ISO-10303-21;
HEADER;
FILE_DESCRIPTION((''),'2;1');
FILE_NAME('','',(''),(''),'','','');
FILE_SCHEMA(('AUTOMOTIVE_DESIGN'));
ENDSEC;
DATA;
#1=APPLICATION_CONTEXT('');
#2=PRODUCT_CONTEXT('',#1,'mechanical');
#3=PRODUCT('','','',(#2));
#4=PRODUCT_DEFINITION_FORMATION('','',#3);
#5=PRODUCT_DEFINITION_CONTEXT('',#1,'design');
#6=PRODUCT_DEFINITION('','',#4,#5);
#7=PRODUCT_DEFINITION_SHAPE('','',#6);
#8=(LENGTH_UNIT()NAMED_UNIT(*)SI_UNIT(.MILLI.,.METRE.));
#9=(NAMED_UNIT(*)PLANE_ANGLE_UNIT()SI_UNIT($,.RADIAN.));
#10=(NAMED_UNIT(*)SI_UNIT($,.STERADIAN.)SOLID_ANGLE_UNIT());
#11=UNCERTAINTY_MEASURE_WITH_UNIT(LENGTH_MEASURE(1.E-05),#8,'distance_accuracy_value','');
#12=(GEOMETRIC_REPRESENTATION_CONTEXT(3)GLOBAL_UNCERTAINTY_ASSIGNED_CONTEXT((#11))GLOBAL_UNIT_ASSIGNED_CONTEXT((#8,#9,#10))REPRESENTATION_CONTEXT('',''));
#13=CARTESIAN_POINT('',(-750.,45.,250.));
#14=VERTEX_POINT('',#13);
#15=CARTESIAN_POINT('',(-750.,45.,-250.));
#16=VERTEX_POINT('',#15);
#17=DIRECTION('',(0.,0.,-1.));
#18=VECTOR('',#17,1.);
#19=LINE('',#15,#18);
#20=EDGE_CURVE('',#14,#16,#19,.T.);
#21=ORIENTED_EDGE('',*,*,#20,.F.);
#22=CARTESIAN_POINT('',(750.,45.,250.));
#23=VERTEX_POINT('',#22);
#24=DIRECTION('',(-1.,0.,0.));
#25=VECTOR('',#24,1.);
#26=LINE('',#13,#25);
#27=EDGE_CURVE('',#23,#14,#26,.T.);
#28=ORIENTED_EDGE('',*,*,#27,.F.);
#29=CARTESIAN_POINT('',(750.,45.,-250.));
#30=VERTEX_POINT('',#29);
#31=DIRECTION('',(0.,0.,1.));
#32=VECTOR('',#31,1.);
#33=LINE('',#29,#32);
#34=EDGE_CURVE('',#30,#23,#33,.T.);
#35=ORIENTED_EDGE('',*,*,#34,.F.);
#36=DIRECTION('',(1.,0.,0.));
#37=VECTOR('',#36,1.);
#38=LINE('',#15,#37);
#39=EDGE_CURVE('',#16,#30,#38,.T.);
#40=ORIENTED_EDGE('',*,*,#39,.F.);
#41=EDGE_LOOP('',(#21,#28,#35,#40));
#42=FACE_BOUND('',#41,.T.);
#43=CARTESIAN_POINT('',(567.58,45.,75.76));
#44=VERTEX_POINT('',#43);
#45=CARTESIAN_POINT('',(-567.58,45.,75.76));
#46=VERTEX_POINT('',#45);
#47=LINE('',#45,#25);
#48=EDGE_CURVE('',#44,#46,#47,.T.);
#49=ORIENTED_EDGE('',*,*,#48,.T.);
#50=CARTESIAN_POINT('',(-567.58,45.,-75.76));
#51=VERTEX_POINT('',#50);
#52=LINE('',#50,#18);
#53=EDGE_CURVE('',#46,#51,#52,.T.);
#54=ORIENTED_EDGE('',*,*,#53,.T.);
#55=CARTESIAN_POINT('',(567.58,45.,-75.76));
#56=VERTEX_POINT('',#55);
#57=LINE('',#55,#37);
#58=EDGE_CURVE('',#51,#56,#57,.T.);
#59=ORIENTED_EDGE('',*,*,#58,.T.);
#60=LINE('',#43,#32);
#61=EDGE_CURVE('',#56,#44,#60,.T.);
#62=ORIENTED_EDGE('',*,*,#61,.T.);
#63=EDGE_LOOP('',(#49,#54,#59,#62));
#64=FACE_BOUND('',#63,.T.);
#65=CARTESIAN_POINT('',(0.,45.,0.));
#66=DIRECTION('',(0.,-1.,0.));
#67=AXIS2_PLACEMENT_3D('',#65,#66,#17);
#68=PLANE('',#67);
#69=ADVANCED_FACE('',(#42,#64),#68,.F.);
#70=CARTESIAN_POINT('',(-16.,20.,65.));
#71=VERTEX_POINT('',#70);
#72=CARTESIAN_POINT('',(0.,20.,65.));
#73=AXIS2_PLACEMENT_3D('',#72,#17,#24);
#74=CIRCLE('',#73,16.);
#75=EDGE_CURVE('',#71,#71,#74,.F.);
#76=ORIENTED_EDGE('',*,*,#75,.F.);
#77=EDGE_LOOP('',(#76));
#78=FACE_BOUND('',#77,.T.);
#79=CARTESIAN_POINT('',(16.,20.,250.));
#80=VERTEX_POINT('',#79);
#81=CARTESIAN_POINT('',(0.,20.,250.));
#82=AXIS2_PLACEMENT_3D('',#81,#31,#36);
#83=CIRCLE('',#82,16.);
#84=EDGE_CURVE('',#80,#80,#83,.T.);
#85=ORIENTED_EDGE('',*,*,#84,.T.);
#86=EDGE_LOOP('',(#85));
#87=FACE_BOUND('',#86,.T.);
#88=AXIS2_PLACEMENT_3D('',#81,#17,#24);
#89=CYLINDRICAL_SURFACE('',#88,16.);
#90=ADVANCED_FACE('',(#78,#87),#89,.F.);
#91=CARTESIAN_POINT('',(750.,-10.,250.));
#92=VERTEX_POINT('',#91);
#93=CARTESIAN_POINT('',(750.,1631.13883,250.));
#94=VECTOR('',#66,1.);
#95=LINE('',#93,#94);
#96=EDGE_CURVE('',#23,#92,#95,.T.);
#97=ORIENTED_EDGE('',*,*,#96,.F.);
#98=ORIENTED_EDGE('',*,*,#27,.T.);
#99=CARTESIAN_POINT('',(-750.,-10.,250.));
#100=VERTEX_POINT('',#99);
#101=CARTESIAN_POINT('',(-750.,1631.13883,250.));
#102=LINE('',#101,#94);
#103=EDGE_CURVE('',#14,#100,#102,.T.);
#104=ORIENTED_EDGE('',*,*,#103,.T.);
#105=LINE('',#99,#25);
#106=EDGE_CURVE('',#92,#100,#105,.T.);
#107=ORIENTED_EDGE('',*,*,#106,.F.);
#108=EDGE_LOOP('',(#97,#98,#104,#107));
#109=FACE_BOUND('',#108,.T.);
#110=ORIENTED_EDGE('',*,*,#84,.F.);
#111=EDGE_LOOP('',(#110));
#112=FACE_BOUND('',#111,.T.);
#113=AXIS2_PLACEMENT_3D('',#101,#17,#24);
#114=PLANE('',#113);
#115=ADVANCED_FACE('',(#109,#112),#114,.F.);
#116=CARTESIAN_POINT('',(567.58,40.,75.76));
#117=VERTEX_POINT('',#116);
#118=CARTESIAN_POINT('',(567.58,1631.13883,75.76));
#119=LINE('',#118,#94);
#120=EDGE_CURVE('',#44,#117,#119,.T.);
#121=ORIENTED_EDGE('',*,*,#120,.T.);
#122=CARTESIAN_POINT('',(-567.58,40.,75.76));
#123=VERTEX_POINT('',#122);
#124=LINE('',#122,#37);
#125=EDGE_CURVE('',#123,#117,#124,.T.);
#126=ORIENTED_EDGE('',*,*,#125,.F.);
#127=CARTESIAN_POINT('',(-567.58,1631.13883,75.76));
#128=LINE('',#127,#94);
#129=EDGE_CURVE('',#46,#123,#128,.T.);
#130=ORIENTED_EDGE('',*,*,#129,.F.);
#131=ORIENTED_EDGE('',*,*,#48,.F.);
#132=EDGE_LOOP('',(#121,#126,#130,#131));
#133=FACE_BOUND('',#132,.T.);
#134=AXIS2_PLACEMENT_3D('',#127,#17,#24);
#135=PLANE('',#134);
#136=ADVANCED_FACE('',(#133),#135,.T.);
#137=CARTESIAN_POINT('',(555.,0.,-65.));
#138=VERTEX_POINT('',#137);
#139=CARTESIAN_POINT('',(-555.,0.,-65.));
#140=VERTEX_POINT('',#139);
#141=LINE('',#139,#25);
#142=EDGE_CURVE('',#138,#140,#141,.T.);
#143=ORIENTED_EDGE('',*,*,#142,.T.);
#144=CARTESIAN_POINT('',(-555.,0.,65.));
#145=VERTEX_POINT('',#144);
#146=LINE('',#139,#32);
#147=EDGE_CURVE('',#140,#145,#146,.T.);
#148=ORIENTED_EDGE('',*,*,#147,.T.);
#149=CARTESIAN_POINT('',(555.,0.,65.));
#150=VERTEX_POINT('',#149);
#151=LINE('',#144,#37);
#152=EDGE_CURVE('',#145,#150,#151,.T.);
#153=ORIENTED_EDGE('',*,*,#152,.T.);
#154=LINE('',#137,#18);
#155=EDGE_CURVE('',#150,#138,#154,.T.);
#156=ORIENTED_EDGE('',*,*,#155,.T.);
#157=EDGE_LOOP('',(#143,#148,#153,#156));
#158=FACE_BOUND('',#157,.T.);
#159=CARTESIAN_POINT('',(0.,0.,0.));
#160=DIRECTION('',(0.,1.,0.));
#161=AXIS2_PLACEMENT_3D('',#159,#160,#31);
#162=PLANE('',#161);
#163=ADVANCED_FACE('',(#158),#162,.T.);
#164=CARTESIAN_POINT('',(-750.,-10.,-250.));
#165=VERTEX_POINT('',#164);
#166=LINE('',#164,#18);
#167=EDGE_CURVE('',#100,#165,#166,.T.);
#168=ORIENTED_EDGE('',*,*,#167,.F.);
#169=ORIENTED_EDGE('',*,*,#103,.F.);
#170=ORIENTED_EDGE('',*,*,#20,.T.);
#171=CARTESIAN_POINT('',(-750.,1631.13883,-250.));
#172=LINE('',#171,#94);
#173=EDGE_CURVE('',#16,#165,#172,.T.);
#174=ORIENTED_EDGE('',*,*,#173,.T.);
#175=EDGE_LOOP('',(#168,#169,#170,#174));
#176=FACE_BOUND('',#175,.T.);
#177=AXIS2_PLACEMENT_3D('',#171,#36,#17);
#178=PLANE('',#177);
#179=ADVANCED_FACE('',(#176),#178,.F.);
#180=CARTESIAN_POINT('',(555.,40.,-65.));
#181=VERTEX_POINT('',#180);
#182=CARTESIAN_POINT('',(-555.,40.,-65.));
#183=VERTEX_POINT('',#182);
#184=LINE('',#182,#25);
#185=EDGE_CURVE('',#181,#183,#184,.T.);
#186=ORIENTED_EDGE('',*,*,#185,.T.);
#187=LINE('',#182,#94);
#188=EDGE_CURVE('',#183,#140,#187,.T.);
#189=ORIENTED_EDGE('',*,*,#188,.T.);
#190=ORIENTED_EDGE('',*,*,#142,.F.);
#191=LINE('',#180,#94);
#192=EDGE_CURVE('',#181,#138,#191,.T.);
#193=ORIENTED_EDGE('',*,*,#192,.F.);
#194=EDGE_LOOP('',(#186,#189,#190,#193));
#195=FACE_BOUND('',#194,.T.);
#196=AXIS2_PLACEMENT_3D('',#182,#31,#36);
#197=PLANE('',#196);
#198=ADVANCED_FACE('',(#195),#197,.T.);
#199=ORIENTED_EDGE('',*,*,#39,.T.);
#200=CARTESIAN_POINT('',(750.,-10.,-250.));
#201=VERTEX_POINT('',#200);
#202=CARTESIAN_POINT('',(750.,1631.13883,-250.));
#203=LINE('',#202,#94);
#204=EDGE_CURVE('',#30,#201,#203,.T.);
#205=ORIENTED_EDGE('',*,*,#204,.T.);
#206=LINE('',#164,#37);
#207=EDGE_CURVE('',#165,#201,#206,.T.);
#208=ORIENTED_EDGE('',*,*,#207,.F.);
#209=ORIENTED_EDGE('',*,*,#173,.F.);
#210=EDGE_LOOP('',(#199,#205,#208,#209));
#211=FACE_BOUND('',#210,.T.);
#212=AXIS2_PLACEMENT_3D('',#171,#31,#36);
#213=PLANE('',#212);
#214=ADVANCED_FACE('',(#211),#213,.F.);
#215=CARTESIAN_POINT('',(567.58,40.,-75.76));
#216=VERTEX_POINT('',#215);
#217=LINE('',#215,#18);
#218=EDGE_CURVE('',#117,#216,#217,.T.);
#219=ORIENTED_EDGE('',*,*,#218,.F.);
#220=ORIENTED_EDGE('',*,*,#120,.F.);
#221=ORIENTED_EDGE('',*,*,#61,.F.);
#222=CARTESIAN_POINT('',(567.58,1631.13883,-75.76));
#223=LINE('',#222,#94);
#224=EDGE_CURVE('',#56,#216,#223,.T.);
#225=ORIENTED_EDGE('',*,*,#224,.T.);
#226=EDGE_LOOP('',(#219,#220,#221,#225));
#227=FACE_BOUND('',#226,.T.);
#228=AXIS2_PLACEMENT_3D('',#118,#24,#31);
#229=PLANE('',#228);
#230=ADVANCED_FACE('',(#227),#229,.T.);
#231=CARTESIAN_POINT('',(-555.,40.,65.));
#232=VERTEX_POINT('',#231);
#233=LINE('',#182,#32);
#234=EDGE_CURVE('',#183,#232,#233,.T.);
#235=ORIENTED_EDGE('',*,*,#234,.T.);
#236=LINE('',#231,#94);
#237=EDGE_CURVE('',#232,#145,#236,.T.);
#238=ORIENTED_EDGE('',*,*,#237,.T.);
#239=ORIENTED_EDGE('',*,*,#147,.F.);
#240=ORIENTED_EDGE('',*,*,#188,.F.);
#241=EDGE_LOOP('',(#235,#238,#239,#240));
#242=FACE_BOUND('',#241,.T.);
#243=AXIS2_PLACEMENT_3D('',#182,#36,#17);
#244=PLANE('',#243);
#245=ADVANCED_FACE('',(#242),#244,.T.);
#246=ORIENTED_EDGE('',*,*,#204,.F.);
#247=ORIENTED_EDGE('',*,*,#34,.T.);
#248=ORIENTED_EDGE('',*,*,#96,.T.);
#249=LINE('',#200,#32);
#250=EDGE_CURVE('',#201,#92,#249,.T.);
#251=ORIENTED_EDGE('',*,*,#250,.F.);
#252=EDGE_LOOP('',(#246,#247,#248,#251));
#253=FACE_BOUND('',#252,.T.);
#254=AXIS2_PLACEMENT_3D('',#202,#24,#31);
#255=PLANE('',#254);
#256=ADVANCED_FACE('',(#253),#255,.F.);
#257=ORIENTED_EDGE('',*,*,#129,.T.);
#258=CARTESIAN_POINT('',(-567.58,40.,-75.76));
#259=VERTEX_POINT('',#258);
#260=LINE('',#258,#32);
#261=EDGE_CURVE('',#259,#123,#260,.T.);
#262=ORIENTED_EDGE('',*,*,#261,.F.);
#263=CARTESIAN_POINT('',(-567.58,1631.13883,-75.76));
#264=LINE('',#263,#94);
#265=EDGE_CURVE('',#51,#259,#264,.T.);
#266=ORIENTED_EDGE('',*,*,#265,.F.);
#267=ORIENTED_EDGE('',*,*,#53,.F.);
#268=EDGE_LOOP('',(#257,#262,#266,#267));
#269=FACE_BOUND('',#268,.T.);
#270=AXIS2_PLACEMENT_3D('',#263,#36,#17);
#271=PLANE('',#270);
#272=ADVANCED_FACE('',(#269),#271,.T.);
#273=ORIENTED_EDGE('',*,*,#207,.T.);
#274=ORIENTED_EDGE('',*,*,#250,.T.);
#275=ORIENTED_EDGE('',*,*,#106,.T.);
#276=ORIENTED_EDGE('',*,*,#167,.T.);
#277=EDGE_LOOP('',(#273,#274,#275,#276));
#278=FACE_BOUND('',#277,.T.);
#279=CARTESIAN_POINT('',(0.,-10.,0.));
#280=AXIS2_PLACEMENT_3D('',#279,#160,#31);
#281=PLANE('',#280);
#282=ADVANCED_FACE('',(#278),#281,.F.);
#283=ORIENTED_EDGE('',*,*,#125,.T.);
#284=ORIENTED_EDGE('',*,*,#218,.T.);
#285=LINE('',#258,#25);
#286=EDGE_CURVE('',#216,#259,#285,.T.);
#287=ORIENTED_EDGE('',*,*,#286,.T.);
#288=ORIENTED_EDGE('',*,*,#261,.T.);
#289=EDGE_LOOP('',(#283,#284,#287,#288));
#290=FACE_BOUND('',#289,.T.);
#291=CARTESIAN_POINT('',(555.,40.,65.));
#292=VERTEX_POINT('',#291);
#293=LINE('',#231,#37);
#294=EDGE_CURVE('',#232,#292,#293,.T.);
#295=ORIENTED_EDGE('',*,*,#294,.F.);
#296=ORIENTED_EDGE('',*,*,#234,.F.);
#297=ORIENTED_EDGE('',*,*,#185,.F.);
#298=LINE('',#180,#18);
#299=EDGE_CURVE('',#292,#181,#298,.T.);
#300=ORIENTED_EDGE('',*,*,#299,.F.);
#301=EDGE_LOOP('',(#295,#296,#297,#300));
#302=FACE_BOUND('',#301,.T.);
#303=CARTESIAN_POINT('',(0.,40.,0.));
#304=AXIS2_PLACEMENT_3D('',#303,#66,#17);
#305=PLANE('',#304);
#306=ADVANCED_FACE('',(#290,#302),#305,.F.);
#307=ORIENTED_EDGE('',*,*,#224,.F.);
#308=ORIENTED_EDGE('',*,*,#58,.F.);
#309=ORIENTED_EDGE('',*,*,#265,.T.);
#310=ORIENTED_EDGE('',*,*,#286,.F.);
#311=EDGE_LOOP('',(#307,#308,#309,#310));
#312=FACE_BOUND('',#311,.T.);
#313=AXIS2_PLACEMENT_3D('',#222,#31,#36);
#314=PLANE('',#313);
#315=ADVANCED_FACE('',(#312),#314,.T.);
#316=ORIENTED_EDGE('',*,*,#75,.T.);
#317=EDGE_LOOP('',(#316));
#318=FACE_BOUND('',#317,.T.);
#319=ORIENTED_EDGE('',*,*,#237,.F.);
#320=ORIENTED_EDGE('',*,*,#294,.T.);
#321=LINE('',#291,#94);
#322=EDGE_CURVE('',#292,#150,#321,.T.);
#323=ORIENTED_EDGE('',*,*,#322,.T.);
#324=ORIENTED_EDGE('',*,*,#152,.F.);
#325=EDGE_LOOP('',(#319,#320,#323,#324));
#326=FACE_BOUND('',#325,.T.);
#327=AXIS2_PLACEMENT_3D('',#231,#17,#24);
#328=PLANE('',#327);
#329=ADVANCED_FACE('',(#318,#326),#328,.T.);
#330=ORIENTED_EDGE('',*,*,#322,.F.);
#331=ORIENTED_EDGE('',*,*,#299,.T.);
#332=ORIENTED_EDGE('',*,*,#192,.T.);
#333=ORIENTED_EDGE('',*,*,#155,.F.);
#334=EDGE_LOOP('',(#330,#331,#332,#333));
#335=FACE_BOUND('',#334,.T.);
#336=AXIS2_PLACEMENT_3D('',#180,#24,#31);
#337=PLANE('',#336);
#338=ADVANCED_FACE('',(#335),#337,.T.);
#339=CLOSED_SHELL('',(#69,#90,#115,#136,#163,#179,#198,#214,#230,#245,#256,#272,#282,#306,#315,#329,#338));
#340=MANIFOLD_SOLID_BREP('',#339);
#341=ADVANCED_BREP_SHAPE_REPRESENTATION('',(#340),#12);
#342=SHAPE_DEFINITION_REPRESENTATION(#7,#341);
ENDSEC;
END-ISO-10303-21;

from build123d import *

# Parameters (mm, degrees)
SKETCH19_W               = 1135.16
SKETCH19_H               = 151.52
SKETCH19_W_2             = 1110
SKETCH19_H_2             = 130
BOSS_EXTRUDE2_DEPTH      = 40
SKETCH22_W               = 1135.16
SKETCH22_H               = 151.52
BOSS_EXTRUDE3_DEPTH      = 10
BOSS_EXTRUDE4_DEPTH      = 45
BOSS_EXTRUDE4_DEPTH_BACK = 10
SKETCH23_W               = 1500
SKETCH23_H               = 500
SKETCH23_W_2             = 1135.16
SKETCH23_H_2             = 151.52
SKETCH21_R               = 16
CUT_EXTRUDE5_DEPTH       = 792.849101786


with BuildPart() as part:
    # Sketch19 → Boss-Extrude2 (new body)
    with BuildSketch(Plane(origin=(0, 0, 0), x_dir=(1, 0, 0), z_dir=(0, 1, 0))):
        Rectangle(SKETCH19_W, SKETCH19_H)
        Rectangle(SKETCH19_W_2, SKETCH19_H_2, mode=Mode.SUBTRACT)
    extrude(amount=BOSS_EXTRUDE2_DEPTH)

    # Sketch22 → Boss-Extrude3 (add)
    with BuildSketch(Plane(origin=(0, 0, 0), x_dir=(1, 0, 0), z_dir=(0, 1, 0))):
        Rectangle(SKETCH22_W, SKETCH22_H)
    extrude(amount=-BOSS_EXTRUDE3_DEPTH)

    # Sketch23 → Boss-Extrude4 (add, two sides: drawn at the far end of the back side and taken through both)
    with BuildSketch(Plane(origin=(0, 0, 0), x_dir=(1, 0, 0), z_dir=(0, 1, 0)).offset(-BOSS_EXTRUDE4_DEPTH_BACK)):
        Rectangle(SKETCH23_W, SKETCH23_H)
        Rectangle(SKETCH23_W_2, SKETCH23_H_2, mode=Mode.SUBTRACT)
    extrude(amount=BOSS_EXTRUDE4_DEPTH + BOSS_EXTRUDE4_DEPTH_BACK)

    # Sketch21 → Cut-Extrude5 (cut, through all)
    with BuildSketch(Plane.XY):
        with Locations(Location((0, 20, 0), (0, 0, 180))):
            Circle(SKETCH21_R)
    extrude(amount=CUT_EXTRUDE5_DEPTH, mode=Mode.SUBTRACT)


solid = part.part
